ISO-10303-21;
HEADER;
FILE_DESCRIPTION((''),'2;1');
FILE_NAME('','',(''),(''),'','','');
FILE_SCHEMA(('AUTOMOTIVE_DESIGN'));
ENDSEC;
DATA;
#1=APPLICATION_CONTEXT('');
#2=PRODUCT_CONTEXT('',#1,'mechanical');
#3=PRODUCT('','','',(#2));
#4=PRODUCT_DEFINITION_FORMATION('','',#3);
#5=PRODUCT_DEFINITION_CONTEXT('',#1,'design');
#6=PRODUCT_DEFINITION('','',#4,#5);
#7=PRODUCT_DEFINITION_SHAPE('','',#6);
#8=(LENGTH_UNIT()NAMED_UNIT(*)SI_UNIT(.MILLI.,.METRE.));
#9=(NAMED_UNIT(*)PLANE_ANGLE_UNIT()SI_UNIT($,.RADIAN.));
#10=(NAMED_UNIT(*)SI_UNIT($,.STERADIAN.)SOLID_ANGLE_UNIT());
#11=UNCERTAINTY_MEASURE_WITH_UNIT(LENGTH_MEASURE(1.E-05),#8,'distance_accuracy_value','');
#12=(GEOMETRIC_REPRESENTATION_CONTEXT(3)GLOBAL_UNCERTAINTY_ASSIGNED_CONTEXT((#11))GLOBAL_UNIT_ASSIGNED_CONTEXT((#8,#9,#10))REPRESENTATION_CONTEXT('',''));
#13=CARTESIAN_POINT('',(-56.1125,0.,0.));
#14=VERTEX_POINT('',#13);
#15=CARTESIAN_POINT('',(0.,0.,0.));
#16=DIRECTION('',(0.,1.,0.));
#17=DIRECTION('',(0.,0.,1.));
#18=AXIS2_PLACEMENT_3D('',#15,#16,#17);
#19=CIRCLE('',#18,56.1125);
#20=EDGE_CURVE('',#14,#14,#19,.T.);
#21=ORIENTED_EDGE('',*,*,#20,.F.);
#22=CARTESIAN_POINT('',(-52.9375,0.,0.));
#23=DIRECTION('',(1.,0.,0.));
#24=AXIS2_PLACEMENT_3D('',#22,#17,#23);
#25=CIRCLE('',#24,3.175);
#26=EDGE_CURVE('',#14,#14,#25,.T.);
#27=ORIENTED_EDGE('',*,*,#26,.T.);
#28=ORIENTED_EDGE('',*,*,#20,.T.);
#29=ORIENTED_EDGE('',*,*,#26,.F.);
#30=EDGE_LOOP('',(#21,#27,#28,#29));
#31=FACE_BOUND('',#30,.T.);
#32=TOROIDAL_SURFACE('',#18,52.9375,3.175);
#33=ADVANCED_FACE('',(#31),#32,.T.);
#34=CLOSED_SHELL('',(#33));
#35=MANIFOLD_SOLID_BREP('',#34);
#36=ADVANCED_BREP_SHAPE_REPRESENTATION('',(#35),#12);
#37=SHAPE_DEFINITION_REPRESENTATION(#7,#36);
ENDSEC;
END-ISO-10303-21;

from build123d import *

# Parameters (mm, degrees)
ESBO_O3_R = 3.175


with BuildPart() as part:
    # Varredura1: sweep along a path in Esboço1
    with BuildLine(Plane(origin=(0, 0, 0), x_dir=(1, 0, 0), z_dir=(0, 1, 0))) as varredura1_path:
        CenterArc((0, 0), 52.9375, 0, 360)
    # Esboço3 → Varredura1 (sweep)
    with BuildSketch(Plane.XY):
        with Locations((-52.9375, 0)):
            Circle(ESBO_O3_R)
    sweep(path=varredura1_path.line)


solid = part.part
